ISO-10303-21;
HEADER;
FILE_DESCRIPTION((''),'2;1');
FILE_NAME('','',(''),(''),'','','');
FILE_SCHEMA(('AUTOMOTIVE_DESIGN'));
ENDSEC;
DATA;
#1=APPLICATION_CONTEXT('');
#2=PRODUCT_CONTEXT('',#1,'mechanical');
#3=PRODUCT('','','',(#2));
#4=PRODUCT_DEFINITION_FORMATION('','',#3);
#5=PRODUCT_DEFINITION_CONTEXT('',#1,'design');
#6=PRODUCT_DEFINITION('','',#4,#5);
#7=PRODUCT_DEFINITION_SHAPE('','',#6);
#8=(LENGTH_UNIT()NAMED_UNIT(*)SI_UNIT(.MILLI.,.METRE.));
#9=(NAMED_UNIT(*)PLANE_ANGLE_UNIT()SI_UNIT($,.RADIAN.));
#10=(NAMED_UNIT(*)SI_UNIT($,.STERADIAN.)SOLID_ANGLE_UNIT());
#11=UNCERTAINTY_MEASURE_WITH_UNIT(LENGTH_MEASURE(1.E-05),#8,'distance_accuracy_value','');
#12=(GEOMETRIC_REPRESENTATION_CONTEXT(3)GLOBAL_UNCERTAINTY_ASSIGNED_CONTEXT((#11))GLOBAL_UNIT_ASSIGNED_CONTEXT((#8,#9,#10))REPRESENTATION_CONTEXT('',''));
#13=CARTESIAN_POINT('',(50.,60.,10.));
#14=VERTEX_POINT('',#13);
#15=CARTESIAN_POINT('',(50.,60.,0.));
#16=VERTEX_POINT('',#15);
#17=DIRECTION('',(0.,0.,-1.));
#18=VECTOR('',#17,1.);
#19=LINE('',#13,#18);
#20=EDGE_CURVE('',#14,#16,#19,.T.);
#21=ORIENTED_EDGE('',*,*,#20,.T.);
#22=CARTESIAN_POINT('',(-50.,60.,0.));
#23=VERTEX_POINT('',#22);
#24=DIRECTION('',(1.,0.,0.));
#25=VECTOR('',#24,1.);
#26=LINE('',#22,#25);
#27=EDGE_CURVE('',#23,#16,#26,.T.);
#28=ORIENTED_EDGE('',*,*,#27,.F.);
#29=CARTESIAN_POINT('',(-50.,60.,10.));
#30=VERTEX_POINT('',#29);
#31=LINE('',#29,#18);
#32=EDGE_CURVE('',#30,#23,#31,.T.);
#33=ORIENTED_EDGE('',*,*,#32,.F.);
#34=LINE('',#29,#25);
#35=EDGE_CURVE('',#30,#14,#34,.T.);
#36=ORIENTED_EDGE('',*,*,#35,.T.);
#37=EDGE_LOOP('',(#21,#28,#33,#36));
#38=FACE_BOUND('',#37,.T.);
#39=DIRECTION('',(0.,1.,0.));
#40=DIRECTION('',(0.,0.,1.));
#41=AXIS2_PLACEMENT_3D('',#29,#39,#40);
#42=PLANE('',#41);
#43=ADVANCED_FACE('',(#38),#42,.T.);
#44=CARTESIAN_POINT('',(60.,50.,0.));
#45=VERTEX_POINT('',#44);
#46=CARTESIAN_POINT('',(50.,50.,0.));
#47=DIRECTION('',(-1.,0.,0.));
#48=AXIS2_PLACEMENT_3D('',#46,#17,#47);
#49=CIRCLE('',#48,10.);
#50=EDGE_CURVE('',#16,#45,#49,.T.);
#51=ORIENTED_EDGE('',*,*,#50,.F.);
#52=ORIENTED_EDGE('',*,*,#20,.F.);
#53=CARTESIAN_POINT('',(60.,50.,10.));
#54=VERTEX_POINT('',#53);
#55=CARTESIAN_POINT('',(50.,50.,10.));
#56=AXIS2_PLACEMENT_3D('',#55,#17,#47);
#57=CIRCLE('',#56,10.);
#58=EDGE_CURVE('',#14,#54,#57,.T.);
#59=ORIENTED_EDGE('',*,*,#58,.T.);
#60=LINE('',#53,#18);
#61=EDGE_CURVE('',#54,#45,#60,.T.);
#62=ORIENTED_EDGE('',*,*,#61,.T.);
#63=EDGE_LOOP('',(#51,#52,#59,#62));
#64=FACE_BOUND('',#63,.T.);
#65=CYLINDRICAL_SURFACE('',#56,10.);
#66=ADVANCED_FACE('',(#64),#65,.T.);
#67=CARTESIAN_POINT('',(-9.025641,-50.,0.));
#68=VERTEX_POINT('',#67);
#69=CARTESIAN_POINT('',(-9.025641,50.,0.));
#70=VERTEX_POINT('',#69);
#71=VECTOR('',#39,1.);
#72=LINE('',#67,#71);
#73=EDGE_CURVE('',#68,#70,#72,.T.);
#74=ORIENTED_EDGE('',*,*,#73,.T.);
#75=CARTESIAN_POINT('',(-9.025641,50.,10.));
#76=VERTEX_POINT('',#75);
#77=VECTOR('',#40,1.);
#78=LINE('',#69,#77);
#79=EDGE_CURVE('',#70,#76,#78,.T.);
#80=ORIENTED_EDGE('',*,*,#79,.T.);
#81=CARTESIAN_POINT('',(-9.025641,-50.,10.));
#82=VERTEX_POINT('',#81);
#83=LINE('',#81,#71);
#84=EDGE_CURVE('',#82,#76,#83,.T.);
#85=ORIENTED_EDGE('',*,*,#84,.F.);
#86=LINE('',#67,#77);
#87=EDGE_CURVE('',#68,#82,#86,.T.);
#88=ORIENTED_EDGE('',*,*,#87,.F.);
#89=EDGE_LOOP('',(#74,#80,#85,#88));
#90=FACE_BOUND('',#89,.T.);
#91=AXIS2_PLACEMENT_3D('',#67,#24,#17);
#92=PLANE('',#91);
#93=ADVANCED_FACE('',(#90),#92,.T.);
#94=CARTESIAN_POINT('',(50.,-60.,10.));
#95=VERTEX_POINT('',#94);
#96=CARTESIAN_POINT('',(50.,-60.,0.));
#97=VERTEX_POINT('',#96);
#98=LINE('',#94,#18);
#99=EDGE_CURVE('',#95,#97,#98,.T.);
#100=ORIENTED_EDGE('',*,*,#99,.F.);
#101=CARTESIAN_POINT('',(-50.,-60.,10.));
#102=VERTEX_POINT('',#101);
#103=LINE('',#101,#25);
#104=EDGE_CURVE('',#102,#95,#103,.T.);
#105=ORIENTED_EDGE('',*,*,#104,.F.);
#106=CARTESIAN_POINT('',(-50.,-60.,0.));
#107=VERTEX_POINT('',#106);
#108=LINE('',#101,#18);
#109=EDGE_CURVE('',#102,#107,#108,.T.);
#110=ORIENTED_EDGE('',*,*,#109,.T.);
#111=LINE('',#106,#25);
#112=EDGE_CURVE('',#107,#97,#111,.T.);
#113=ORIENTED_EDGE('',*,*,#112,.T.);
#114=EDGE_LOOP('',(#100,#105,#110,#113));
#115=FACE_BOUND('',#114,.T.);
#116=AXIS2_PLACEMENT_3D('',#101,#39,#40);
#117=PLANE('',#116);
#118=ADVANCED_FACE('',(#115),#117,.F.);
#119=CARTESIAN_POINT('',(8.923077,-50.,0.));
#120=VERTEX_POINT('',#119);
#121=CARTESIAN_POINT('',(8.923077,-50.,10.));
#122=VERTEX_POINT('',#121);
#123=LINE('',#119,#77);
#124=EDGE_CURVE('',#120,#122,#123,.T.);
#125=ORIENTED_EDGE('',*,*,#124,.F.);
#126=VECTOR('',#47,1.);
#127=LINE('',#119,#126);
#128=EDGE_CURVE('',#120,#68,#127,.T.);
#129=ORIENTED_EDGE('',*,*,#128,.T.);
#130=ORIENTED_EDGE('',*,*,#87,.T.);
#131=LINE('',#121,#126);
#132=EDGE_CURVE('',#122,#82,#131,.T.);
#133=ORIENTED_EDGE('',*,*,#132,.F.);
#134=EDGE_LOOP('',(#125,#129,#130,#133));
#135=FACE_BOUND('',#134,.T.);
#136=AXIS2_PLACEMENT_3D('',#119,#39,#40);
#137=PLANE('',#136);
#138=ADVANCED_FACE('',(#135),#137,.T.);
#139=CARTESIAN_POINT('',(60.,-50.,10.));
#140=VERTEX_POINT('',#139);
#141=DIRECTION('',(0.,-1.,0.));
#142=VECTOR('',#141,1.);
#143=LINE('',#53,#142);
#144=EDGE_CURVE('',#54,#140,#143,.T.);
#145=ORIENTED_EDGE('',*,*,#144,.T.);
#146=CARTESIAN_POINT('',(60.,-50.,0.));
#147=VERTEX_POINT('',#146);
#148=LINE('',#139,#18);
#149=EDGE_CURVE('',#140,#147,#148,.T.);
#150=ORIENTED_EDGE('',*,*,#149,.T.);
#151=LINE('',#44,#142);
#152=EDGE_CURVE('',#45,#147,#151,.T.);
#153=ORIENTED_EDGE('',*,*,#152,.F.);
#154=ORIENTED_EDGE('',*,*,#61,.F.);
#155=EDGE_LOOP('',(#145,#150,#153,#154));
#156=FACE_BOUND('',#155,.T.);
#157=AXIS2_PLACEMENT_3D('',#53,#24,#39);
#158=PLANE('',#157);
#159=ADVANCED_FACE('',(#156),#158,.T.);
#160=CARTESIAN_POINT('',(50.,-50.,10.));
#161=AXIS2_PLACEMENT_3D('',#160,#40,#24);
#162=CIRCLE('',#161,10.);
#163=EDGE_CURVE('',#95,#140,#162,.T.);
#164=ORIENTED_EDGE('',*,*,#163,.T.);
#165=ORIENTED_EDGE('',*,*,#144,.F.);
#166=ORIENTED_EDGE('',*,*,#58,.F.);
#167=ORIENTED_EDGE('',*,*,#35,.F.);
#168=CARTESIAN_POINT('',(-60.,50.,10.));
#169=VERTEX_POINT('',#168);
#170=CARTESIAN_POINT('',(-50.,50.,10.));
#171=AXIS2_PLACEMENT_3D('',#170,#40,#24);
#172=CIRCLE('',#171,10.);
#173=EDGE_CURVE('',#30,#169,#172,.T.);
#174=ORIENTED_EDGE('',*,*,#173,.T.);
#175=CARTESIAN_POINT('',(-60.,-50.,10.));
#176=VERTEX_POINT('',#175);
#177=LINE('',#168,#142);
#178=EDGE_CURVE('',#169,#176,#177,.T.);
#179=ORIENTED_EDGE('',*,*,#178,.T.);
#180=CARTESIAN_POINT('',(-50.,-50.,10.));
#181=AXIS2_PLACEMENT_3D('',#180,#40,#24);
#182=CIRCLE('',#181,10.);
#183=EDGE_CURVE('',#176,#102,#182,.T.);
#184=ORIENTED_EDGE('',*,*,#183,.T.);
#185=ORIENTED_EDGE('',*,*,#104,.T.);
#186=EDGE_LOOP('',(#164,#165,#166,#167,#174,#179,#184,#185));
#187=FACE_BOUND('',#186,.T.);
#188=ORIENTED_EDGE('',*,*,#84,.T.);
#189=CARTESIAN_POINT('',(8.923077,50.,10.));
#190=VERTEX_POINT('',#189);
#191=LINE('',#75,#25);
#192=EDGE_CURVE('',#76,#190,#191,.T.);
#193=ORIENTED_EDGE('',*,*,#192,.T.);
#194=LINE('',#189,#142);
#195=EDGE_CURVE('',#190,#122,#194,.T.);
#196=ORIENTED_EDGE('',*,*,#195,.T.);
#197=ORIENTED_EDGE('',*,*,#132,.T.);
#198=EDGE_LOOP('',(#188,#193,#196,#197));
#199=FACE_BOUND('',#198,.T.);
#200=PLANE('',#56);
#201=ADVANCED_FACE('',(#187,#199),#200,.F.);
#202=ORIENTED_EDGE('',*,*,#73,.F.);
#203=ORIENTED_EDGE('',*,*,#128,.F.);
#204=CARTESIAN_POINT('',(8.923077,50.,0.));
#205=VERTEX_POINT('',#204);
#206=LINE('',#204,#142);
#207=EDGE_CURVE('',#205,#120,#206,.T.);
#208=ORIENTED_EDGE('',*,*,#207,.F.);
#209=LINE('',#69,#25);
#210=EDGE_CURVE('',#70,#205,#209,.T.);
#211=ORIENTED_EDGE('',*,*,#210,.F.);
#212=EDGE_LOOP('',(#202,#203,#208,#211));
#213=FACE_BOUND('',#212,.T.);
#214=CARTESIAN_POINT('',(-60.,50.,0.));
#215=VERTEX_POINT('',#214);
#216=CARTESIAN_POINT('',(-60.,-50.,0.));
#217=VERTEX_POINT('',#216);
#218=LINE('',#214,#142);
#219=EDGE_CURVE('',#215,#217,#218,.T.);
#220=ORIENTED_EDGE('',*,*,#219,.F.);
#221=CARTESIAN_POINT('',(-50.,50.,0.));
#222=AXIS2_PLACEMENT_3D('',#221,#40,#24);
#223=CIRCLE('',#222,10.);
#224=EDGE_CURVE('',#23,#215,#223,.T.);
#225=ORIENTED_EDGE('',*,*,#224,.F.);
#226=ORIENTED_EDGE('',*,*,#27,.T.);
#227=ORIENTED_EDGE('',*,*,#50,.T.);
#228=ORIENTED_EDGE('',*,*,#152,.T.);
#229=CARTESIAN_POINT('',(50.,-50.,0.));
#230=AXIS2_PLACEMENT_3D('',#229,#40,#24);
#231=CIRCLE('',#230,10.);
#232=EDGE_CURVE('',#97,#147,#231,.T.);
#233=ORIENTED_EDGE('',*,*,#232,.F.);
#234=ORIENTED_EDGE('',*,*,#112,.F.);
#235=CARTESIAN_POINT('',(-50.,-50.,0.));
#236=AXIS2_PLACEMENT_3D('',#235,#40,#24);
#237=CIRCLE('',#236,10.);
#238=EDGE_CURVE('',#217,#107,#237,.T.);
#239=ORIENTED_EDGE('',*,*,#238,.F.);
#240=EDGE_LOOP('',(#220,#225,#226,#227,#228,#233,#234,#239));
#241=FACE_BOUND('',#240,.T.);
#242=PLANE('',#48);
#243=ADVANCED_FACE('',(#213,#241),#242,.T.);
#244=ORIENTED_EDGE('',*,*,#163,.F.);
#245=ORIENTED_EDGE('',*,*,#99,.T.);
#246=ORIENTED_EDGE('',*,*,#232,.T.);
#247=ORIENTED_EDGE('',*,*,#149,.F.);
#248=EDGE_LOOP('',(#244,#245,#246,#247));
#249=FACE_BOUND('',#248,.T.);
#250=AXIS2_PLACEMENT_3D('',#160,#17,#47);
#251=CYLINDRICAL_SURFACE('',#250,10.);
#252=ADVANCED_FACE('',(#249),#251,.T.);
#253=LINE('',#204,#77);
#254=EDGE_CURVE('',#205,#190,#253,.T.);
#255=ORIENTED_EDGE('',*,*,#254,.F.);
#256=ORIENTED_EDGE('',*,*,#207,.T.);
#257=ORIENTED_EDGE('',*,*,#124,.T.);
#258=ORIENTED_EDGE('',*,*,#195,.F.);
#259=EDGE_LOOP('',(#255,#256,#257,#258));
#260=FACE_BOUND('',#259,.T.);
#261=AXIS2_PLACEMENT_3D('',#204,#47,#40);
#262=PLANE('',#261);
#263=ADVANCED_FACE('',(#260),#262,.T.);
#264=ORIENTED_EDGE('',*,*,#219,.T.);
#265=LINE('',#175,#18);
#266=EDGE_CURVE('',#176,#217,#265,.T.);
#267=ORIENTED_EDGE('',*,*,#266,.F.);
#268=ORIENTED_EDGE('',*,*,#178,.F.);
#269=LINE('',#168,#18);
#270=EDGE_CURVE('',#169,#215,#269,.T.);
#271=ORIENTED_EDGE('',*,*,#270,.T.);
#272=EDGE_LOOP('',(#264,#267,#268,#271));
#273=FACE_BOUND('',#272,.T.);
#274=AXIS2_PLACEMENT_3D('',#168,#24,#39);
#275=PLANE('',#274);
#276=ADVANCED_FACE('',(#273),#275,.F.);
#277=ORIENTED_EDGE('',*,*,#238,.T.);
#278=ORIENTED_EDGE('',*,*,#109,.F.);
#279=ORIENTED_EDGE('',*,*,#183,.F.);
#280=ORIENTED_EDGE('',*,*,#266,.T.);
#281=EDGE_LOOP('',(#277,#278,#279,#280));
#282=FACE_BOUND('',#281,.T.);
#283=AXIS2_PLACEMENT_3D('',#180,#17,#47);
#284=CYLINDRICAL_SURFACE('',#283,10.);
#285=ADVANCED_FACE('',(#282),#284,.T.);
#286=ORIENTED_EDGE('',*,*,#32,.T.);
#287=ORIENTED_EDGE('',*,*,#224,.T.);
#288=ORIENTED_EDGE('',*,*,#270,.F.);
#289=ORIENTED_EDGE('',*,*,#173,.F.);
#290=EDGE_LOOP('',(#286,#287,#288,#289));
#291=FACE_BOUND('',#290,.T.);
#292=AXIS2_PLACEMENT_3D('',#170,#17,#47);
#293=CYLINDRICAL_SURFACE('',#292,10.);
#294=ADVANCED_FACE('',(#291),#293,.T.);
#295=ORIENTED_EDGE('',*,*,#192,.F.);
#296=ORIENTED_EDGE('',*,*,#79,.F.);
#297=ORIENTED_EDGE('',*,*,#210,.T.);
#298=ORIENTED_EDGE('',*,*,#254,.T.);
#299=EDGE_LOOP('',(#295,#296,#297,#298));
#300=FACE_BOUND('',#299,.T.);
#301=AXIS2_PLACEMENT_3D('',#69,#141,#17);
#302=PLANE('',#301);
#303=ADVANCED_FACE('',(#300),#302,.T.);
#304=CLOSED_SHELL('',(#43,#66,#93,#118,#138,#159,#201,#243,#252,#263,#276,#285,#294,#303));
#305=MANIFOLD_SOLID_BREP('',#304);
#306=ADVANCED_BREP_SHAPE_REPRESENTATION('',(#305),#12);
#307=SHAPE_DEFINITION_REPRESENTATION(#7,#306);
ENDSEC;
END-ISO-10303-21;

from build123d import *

# Parameters (mm, degrees)
BOSS_EXTRUDE1_DEPTH = 10
SKETCH2_W           = 17.948717949
SKETCH2_H           = 100
CUT_EXTRUDE22_DEPTH = 10


with BuildPart() as part:
    # Sketch1 → Boss-Extrude1 (new body)
    with BuildSketch(Plane.XY):
        with BuildLine():
            Line((-50, 60), (50, 60))
            ThreePointArc((50, 60), (57.071067812, 57.071067812), (60, 50))
            Line((60, 50), (60, -50))
            ThreePointArc((60, -50), (57.071067812, -57.071067812), (50, -60))
            Line((50, -60), (-50, -60))
            ThreePointArc((-50, -60), (-57.071067812, -57.071067812), (-60, -50))
            Line((-60, -50), (-60, 50))
            ThreePointArc((-60, 50), (-57.071067812, 57.071067812), (-50, 60))
        make_face()
    extrude(amount=BOSS_EXTRUDE1_DEPTH)

    # Sketch2 → Cut-Extrude22 (cut)
    with BuildSketch(Plane.XY.offset(10)):
        with Locations((-0.051282052, 0)):
            Rectangle(SKETCH2_W, SKETCH2_H)
    extrude(amount=-CUT_EXTRUDE22_DEPTH, mode=Mode.SUBTRACT)


solid = part.part
